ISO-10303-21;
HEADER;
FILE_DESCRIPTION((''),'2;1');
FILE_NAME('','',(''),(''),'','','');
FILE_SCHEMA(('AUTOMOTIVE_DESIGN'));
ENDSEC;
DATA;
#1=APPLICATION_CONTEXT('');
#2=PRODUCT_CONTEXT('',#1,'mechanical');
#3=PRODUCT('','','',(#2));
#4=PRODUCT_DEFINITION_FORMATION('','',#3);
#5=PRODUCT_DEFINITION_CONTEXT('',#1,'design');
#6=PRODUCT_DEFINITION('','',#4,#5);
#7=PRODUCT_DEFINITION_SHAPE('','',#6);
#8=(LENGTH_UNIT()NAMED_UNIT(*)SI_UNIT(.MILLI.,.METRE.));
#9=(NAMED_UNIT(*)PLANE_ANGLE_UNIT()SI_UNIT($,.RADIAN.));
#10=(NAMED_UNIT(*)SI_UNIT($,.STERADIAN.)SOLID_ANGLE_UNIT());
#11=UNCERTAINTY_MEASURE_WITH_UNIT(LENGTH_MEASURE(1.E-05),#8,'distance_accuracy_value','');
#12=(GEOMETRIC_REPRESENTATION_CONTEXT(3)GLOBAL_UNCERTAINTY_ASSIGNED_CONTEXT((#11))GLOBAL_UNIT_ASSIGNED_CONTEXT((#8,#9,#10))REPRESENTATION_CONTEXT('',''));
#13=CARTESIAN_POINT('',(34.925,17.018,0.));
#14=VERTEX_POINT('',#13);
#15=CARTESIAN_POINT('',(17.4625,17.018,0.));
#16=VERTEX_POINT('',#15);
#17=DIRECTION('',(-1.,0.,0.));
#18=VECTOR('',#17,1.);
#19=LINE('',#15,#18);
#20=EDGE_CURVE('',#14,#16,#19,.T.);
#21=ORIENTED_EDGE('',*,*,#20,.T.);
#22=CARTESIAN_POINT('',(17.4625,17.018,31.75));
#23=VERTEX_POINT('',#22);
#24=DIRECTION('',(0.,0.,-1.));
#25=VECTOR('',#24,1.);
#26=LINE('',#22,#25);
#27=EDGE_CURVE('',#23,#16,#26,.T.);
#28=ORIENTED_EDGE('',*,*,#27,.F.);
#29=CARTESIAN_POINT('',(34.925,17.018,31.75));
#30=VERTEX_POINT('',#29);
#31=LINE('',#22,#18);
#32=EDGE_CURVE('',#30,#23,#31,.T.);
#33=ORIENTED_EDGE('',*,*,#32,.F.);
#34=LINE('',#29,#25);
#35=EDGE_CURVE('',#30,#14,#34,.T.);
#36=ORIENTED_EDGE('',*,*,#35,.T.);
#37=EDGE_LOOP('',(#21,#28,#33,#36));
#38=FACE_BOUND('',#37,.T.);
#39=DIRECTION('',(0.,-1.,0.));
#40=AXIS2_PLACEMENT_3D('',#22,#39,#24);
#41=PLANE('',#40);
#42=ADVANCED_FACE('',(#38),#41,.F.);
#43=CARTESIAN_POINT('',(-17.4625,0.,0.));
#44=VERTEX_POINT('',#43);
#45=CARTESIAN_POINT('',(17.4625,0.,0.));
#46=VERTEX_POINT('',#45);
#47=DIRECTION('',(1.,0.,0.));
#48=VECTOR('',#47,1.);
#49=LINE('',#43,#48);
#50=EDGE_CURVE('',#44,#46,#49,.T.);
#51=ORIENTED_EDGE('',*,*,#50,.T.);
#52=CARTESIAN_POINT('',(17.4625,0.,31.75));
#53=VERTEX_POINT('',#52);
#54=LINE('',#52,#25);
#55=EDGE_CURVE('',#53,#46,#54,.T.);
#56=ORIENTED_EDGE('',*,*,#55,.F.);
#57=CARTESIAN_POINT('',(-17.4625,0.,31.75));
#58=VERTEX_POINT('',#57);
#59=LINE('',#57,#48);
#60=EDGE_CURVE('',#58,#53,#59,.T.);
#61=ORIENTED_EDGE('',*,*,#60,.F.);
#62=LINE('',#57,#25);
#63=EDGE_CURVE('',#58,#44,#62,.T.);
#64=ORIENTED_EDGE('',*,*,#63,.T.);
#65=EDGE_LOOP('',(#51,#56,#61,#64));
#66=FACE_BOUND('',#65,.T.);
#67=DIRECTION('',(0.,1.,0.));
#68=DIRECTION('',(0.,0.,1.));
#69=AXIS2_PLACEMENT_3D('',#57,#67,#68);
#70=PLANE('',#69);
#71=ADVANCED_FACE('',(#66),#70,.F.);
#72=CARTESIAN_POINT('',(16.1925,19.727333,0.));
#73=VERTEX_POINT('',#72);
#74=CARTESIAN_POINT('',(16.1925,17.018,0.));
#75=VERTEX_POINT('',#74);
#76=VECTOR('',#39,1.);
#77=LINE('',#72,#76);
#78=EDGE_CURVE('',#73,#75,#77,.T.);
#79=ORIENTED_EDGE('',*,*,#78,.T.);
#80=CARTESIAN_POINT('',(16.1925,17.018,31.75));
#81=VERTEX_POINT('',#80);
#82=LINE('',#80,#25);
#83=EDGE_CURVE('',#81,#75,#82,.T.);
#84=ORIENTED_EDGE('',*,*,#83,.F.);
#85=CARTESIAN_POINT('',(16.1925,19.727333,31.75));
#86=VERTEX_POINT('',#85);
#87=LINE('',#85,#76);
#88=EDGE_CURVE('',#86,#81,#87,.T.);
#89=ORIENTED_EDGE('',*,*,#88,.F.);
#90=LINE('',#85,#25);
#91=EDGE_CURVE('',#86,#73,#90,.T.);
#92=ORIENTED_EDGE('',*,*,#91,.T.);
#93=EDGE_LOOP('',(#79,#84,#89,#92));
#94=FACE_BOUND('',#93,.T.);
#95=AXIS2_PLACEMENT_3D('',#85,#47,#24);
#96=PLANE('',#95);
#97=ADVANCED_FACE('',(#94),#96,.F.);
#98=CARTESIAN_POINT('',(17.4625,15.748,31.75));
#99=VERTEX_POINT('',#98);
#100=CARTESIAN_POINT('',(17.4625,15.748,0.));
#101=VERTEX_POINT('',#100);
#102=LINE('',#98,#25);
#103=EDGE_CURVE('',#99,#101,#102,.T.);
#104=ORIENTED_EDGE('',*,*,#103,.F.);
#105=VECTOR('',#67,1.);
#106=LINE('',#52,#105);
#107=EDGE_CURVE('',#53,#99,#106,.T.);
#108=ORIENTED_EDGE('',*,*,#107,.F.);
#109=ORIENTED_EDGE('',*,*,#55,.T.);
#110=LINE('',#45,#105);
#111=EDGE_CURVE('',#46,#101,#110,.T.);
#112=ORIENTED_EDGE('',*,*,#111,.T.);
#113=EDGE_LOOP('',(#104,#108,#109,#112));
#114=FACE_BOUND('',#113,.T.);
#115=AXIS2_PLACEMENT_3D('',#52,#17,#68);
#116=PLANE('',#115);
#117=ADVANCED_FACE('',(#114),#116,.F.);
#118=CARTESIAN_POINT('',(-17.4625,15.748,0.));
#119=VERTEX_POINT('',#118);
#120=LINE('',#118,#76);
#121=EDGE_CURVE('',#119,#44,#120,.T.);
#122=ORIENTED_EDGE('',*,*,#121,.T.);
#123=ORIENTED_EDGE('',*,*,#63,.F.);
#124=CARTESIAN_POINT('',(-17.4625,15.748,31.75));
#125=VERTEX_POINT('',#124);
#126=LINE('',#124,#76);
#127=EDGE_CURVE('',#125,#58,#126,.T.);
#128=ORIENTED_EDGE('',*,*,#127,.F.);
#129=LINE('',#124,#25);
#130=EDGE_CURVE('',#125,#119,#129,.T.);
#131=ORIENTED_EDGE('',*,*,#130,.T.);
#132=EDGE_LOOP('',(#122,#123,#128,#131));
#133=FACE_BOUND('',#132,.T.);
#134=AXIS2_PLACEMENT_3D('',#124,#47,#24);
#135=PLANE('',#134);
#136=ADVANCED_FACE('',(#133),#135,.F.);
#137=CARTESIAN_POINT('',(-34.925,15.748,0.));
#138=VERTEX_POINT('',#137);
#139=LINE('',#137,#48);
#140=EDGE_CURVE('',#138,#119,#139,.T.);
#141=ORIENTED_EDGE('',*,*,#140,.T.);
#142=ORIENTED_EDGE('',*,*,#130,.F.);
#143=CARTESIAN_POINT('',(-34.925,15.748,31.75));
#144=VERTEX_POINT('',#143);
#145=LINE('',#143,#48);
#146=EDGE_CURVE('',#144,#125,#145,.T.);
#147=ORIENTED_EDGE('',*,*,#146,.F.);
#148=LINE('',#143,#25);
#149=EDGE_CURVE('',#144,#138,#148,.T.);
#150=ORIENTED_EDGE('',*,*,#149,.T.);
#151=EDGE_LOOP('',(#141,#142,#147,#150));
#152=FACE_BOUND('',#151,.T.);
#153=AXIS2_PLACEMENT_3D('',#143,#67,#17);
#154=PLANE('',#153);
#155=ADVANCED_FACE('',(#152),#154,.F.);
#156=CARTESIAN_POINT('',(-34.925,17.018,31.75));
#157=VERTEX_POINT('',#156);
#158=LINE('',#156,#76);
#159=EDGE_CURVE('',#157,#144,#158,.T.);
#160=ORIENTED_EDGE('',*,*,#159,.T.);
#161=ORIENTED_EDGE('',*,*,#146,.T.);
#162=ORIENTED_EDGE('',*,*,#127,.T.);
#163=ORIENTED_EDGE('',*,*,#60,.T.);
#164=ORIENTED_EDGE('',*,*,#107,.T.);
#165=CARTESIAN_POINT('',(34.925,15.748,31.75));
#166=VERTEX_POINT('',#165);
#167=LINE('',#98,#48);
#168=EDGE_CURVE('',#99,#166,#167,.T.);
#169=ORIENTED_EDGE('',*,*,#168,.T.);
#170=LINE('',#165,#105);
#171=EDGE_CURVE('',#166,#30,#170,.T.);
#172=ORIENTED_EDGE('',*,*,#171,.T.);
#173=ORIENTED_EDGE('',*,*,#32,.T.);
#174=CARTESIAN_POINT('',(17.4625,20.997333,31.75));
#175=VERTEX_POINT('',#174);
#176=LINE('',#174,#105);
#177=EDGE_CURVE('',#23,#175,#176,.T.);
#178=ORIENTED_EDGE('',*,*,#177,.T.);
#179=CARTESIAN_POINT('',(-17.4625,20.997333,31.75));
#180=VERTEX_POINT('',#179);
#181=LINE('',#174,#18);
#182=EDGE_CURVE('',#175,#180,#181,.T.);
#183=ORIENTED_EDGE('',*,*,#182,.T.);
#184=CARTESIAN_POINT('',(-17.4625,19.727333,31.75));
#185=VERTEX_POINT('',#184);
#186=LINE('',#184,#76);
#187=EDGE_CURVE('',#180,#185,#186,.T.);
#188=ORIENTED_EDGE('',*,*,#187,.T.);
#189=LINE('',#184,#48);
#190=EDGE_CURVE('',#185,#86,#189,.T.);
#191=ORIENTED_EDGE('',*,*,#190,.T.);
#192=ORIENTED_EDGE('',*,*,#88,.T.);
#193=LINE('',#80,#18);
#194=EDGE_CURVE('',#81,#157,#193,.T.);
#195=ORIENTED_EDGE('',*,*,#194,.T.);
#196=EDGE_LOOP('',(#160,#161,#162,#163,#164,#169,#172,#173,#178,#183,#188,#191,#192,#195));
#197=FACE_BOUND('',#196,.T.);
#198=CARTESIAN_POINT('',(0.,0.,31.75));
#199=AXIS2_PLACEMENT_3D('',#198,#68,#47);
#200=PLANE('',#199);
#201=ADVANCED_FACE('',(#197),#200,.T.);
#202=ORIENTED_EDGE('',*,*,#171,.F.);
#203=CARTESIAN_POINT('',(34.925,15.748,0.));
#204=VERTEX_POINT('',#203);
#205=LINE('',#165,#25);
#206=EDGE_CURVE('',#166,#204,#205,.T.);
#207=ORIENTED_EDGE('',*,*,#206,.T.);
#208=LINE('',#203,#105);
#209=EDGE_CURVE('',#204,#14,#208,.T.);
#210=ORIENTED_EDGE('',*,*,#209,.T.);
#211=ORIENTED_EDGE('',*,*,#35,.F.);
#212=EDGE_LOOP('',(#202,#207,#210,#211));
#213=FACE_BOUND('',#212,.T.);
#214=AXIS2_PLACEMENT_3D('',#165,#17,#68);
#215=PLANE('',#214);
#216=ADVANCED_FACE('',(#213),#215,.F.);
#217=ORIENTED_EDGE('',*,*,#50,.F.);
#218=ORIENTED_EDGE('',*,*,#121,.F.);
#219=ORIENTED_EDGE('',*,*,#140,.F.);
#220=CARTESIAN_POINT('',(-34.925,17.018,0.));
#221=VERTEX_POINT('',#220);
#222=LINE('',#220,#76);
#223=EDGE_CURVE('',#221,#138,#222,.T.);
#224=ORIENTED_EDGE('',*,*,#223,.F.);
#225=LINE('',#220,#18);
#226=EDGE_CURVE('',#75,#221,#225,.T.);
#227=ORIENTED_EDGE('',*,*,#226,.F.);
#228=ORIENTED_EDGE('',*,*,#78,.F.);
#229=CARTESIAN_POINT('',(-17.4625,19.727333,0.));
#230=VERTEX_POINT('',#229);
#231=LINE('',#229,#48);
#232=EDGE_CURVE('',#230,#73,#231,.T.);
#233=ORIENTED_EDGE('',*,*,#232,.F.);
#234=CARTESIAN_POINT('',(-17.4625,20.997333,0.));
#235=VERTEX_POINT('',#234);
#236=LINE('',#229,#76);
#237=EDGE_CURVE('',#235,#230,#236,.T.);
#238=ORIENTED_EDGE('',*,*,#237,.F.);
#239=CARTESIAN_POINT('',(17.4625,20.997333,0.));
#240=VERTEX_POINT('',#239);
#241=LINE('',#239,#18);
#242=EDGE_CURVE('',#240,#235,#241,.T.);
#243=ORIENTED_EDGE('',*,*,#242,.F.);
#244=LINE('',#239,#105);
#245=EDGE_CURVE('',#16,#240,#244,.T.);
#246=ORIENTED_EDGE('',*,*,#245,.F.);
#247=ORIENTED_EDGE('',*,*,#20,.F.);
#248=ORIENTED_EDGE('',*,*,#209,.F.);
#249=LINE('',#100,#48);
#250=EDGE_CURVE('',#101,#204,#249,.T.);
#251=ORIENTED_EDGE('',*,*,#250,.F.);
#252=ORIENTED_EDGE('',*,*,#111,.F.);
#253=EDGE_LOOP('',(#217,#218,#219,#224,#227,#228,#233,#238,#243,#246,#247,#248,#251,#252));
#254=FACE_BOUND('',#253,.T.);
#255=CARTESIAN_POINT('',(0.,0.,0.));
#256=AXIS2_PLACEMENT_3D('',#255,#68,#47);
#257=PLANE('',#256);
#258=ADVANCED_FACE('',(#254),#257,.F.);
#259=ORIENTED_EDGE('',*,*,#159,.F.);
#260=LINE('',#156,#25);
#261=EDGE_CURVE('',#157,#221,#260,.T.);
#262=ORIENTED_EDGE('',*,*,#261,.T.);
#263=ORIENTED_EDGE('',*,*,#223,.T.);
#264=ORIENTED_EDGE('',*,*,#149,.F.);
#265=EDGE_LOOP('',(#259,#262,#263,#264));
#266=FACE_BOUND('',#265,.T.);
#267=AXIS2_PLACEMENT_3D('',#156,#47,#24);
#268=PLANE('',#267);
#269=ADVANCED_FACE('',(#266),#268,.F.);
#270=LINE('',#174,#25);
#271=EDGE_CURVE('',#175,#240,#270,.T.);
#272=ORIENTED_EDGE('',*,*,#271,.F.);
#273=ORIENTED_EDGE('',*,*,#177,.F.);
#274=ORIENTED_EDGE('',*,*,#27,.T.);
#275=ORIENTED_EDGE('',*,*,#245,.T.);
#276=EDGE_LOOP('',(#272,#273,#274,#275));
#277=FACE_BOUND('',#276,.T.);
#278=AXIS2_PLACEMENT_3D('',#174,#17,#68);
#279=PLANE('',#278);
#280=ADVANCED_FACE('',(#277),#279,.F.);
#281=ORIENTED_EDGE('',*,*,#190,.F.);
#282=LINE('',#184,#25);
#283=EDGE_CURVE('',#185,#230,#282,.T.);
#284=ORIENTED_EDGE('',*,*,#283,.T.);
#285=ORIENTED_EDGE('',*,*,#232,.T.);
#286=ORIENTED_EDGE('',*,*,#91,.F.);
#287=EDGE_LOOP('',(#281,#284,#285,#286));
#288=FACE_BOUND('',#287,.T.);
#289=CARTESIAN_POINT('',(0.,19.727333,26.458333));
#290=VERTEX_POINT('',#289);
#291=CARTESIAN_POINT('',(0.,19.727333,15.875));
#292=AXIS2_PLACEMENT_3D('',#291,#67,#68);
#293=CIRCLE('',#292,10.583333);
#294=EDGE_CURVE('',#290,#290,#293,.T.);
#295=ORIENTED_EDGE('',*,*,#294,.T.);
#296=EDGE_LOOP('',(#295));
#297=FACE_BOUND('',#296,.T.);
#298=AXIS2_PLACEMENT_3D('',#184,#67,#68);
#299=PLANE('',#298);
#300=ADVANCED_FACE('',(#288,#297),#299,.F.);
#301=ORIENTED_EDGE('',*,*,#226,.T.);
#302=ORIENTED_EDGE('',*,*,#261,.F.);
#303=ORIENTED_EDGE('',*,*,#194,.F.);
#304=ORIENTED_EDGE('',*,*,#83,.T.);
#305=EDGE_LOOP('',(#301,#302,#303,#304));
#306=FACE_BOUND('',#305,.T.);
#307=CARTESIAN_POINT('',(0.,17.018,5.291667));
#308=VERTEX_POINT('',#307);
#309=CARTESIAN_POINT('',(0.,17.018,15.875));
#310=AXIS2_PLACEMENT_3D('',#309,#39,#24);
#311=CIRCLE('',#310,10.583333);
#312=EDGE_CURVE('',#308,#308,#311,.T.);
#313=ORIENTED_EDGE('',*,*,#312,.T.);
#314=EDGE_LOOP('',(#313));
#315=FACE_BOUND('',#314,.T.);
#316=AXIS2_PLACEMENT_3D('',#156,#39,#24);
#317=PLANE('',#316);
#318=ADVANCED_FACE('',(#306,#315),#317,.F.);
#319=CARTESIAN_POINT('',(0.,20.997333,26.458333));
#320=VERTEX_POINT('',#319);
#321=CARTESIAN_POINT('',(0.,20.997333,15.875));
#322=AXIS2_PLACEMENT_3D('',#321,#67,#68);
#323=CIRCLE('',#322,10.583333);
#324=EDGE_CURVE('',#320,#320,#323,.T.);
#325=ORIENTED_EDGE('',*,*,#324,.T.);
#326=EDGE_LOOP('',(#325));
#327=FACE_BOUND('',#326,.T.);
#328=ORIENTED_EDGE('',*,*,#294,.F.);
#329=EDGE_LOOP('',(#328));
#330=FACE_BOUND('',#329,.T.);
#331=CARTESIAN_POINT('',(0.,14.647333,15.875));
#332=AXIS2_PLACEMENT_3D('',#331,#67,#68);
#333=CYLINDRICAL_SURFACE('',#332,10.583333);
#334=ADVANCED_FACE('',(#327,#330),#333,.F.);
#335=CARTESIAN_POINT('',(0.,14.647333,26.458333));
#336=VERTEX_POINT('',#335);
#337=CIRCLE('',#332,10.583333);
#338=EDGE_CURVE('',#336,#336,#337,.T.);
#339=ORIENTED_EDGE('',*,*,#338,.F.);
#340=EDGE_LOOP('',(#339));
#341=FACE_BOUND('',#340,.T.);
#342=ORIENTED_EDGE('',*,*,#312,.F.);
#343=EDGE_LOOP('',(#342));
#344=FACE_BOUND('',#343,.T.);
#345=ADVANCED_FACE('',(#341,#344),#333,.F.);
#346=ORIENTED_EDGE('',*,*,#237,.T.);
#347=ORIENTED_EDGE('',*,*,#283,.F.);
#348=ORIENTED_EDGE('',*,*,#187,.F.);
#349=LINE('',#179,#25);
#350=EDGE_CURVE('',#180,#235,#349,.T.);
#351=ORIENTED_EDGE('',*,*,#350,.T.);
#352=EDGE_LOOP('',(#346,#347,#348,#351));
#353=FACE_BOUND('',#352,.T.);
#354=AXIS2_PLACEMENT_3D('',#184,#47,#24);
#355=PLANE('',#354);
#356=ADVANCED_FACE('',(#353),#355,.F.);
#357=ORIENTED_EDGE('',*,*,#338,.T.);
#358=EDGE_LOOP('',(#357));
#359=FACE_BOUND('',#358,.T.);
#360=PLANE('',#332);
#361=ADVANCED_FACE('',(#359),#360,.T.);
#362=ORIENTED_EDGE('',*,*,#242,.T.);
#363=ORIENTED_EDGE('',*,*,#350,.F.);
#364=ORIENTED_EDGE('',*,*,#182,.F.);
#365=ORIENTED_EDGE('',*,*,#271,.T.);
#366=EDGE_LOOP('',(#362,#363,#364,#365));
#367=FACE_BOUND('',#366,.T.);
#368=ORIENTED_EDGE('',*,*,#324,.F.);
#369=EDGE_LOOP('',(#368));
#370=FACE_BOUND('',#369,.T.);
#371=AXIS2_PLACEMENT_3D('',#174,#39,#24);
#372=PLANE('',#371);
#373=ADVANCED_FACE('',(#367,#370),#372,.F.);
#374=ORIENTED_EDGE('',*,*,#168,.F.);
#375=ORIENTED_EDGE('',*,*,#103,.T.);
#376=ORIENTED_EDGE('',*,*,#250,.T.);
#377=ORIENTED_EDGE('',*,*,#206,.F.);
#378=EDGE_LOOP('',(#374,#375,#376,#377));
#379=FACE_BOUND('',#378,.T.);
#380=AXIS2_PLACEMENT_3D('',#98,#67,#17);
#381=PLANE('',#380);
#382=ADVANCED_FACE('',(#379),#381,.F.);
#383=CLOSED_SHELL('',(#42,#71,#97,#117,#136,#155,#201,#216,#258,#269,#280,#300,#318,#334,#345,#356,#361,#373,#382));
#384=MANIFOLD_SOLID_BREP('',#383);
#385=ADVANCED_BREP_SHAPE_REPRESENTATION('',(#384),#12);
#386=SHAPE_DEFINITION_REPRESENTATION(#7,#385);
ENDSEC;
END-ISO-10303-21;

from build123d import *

# Parameters (mm, degrees)
BOSS_EXTRUDE1_DEPTH = 31.75
SKETCH2_R           = 10.583333333
CUT_EXTRUDE1_DEPTH  = 6.35


with BuildPart() as part:
    # Sketch1 → Boss-Extrude1 (new body)
    with BuildSketch(Plane.XY):
        Polygon((-17.4625, 0), (17.4625, 0), (17.4625, 15.748), (34.925, 15.748), (34.925, 17.018), (17.4625, 17.018), (17.4625, 20.997333333), (-17.4625, 20.997333333), (-17.4625, 19.727333333), (16.1925, 19.727333333), (16.1925, 17.018), (-17.4625, 17.018), (-34.925, 17.018), (-34.925, 15.748), (-17.4625, 15.748), align=None)
    extrude(amount=BOSS_EXTRUDE1_DEPTH)

    # Sketch2 → Cut-Extrude1 (cut)
    with BuildSketch(Plane(origin=(0, 20.997333333, 0), x_dir=(1, 0, 0), z_dir=(0, 1, 0))):
        with Locations(Location((0, -15.875, 0), (0, 0, 270))):
            Circle(SKETCH2_R)
    extrude(amount=-CUT_EXTRUDE1_DEPTH, mode=Mode.SUBTRACT)


solid = part.part
